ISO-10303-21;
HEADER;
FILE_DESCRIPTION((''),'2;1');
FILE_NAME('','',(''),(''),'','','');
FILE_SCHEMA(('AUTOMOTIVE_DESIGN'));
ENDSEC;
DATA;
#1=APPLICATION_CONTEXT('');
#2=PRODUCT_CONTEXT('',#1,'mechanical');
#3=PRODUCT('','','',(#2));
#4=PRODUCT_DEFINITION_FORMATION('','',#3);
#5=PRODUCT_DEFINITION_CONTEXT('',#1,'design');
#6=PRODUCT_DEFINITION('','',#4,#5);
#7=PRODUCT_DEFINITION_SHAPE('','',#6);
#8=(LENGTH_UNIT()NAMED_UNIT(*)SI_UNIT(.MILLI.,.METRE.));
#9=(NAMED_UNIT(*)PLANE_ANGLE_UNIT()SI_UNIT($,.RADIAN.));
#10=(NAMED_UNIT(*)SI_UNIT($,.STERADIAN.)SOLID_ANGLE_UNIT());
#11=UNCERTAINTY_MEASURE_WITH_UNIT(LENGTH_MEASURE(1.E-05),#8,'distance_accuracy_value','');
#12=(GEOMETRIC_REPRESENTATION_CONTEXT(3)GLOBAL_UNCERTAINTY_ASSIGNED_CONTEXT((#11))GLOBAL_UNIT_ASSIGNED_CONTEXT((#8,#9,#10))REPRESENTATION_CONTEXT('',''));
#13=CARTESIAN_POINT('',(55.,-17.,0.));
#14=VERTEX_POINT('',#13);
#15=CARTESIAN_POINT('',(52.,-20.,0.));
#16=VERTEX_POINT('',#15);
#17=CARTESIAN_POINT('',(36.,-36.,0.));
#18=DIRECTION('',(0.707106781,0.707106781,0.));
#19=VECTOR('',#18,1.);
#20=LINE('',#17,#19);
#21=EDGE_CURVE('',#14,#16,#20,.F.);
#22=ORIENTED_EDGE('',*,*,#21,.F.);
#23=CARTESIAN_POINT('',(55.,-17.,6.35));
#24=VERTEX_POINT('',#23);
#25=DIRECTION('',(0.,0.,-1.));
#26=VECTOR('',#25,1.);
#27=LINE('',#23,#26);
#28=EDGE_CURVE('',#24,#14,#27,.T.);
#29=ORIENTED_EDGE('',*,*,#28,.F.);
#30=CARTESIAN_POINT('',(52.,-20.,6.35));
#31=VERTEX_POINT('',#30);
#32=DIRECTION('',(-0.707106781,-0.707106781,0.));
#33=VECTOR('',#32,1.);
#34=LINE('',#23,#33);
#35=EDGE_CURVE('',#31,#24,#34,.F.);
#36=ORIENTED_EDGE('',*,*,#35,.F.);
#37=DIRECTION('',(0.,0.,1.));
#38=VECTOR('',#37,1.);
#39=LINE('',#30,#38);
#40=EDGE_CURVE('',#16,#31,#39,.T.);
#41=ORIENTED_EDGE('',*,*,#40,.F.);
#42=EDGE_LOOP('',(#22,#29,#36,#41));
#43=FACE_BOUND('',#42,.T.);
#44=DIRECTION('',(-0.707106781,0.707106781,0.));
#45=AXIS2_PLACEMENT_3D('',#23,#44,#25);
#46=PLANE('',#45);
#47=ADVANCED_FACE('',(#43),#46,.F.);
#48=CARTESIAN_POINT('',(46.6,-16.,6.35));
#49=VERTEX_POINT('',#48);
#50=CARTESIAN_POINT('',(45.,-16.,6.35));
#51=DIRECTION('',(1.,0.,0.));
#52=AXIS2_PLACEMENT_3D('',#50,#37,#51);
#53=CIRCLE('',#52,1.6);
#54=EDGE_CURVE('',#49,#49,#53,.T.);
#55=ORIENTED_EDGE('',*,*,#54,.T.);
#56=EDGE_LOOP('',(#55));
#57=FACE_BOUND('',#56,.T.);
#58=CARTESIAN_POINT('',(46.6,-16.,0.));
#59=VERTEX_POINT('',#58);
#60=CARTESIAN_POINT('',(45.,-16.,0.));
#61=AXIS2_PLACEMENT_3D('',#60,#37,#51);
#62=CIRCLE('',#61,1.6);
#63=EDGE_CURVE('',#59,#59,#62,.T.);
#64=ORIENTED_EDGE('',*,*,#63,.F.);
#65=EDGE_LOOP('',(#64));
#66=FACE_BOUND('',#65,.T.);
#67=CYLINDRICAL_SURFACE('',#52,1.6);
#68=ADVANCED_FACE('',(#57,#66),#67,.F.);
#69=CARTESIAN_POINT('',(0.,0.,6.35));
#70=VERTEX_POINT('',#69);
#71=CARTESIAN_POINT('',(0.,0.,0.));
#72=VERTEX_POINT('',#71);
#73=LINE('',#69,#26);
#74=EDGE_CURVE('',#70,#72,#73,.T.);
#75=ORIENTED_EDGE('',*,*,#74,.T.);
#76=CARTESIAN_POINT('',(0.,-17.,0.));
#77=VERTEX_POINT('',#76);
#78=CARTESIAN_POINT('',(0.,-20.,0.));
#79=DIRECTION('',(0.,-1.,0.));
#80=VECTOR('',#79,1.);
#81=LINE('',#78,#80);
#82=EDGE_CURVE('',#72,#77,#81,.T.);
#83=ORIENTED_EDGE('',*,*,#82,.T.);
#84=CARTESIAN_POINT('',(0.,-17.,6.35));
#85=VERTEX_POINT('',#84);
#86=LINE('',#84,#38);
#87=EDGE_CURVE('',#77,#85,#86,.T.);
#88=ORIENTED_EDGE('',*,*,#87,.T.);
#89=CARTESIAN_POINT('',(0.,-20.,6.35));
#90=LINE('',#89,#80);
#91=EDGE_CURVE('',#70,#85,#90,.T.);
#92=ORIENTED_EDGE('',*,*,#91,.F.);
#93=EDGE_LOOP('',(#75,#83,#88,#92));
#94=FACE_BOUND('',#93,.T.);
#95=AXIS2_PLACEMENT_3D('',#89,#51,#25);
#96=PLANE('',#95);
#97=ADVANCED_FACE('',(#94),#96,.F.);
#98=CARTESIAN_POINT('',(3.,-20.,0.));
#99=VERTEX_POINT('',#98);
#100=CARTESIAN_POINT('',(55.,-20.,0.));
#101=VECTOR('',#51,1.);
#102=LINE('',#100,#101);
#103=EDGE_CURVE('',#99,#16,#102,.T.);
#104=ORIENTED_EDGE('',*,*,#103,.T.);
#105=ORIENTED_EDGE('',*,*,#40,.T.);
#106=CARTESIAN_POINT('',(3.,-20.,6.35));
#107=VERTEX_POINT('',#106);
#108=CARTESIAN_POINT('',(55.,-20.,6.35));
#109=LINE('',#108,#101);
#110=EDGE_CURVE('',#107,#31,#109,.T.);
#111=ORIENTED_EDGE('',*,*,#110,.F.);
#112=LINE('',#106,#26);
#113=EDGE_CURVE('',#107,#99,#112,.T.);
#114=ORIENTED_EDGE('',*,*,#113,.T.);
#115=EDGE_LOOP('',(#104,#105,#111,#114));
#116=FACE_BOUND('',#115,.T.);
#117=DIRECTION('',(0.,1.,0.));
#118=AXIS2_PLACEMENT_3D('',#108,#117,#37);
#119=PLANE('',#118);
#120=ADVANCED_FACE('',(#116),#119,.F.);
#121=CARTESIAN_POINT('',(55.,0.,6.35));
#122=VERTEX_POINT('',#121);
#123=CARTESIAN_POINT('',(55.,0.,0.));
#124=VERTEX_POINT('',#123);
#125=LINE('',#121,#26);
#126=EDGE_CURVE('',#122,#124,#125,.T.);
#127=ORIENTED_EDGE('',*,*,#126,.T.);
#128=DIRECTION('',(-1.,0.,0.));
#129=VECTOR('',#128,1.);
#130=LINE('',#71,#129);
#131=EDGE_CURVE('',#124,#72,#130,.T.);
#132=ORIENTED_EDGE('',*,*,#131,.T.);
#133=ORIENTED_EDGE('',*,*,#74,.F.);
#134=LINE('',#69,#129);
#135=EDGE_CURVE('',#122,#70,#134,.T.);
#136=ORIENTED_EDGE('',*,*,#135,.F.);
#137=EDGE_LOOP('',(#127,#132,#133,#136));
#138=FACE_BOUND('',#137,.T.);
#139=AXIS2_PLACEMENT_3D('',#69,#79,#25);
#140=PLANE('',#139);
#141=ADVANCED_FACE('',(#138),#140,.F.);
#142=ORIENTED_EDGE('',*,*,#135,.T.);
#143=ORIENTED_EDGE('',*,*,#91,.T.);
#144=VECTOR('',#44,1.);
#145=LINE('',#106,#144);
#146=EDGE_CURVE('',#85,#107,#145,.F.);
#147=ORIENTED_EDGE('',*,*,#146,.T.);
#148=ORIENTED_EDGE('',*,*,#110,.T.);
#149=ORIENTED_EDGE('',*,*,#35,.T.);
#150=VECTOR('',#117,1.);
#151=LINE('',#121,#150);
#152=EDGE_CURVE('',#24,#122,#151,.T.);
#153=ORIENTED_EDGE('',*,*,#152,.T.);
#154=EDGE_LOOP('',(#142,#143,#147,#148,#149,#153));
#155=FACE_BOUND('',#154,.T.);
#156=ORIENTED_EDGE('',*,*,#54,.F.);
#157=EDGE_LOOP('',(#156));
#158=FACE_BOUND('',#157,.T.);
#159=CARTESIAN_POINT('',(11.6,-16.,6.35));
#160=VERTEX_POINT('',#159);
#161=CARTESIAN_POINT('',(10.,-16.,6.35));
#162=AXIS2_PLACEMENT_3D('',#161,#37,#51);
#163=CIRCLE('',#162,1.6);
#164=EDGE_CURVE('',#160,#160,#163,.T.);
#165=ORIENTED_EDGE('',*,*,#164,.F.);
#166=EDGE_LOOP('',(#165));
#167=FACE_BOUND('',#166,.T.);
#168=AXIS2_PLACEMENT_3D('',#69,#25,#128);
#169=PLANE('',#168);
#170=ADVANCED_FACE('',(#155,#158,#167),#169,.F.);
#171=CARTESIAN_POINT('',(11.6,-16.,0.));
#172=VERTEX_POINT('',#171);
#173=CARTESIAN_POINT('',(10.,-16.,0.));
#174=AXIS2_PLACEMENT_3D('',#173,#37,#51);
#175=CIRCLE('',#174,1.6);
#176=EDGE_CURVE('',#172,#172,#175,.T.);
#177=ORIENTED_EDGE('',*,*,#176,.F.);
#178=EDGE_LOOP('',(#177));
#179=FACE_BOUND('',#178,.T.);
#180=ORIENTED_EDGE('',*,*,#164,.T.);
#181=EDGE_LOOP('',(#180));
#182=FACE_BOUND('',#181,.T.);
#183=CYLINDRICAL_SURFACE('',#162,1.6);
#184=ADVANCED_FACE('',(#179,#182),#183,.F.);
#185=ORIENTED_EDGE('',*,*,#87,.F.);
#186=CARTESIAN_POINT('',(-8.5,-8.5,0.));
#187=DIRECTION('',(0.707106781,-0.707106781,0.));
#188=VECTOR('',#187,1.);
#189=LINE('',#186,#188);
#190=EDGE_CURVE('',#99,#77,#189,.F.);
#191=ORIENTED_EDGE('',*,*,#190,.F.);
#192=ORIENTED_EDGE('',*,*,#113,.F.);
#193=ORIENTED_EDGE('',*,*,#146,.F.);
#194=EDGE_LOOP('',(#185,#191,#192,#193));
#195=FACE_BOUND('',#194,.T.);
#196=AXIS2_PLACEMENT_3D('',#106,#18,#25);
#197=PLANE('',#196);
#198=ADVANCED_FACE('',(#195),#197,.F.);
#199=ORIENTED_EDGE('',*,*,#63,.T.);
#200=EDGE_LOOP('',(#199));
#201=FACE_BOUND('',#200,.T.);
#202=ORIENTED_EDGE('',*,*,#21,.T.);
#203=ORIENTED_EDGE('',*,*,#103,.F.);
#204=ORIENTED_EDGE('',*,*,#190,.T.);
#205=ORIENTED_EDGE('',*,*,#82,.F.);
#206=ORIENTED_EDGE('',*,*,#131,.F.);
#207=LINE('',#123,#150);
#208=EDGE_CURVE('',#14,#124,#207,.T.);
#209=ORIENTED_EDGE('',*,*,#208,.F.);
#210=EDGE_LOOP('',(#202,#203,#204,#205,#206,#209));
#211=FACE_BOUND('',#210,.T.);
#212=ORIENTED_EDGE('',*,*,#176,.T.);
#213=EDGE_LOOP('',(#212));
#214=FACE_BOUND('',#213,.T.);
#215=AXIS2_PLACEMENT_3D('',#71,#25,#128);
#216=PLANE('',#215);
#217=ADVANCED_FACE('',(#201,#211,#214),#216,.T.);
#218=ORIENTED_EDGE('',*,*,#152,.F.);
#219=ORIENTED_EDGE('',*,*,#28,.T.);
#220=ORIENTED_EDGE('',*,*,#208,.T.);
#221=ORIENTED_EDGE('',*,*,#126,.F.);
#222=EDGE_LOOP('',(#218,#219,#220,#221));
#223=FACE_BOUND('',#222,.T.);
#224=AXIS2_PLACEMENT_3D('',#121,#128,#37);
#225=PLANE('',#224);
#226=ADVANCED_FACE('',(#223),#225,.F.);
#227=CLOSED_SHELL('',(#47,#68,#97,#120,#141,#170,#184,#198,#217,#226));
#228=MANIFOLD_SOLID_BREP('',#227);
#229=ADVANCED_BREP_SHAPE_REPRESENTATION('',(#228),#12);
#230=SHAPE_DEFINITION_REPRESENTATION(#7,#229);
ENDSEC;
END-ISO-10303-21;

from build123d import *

# Parameters (mm, degrees)
SKETCH1_W             = 55
SKETCH1_H             = 20
BOSS_EXTRUDE1_DEPTH   = 6.35
F_3_0MM_DOWEL_HOLE1_D = 3.2
CHAMFER1_SIZE         = 3


with BuildPart() as part:
    # Sketch1 → Boss-Extrude1 (new body)
    with BuildSketch(Plane.XY):
        with Locations((27.5, -10)):
            Rectangle(SKETCH1_W, SKETCH1_H)
    extrude(amount=BOSS_EXTRUDE1_DEPTH)

    # Ø3.0mm Dowel Hole1 (through all)
    with Locations(Plane.XY.offset(6.35)):
        with Locations((10, -16), (45, -16)):
            Hole(F_3_0MM_DOWEL_HOLE1_D / 2)

    # Chamfer1
    chamfer1_edges = [part.edges().sort_by_distance(p)[0] for p in [
        (55, -20, 3.175),
        (0, -20, 3.175),
    ]]
    chamfer(chamfer1_edges, length=CHAMFER1_SIZE)


solid = part.part
